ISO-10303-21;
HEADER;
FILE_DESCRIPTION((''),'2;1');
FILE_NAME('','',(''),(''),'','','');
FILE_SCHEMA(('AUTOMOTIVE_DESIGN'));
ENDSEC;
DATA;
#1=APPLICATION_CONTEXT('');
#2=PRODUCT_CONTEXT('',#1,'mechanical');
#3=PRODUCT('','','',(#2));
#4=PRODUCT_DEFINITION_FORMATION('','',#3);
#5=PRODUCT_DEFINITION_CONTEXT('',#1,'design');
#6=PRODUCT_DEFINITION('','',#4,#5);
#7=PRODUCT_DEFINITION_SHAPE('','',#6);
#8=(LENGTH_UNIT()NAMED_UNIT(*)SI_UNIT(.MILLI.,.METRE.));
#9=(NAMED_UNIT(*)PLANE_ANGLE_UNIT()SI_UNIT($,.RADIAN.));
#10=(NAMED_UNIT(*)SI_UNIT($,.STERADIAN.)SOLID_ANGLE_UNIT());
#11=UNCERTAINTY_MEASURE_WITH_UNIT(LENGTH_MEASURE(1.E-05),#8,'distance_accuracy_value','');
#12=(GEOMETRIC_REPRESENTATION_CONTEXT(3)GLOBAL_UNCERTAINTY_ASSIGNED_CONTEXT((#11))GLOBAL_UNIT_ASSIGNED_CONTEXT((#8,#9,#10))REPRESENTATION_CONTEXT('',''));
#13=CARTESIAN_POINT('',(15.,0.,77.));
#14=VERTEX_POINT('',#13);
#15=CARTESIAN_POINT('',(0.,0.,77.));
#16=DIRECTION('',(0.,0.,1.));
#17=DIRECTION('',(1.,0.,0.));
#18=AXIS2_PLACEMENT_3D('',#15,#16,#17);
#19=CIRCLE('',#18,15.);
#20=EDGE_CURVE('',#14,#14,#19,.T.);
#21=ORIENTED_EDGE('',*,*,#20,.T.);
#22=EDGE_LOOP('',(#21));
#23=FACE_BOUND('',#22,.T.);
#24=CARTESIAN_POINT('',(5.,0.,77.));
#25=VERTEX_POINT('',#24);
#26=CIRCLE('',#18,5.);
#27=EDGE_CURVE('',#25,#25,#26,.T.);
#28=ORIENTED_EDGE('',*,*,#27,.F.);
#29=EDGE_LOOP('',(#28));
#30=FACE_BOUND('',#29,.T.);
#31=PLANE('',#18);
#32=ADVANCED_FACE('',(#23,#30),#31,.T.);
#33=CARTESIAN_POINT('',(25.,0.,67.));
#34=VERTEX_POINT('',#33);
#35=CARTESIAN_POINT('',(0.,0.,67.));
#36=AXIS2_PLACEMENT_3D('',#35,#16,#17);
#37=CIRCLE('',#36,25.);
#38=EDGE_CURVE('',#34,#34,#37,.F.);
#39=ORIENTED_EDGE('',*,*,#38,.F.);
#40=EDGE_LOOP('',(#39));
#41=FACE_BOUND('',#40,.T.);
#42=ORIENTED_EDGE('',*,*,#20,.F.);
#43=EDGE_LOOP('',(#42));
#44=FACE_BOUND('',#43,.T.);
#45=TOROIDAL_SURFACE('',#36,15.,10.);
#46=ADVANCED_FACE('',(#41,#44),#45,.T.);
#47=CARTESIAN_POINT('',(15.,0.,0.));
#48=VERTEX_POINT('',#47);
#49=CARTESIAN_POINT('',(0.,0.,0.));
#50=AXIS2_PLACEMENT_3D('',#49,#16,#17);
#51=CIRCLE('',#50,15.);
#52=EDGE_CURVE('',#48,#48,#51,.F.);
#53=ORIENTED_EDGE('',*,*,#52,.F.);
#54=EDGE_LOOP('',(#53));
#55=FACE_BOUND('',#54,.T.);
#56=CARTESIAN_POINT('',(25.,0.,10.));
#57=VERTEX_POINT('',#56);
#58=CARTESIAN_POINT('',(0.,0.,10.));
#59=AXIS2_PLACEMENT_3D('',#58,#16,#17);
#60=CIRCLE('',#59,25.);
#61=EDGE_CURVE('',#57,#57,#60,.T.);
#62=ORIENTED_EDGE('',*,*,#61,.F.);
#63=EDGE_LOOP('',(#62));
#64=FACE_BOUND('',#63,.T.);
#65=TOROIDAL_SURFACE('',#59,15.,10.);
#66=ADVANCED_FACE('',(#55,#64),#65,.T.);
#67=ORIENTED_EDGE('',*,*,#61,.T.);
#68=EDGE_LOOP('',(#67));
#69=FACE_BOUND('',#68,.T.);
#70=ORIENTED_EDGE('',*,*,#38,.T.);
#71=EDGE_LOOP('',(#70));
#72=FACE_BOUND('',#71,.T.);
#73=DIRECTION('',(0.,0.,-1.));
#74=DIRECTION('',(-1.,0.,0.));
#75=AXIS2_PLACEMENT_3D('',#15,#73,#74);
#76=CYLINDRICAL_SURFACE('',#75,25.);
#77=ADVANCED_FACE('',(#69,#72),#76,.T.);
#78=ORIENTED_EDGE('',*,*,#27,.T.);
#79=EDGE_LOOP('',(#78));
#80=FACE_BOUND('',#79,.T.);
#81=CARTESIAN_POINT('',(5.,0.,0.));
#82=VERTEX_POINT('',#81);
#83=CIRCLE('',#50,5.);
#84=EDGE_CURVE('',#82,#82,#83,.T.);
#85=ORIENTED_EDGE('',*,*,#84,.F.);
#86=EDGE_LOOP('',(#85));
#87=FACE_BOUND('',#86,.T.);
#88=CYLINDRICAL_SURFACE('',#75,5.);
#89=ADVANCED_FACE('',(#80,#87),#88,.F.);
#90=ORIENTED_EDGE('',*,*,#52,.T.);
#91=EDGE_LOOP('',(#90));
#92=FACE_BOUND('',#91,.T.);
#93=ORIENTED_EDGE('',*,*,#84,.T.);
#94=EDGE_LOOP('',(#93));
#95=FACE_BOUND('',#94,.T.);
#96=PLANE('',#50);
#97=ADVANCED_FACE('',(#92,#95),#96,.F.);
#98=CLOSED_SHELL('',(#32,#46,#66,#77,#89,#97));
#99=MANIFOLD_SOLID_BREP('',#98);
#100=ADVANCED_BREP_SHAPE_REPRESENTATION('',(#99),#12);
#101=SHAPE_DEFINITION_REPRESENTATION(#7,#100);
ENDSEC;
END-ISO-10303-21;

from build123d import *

# Parameters (mm, degrees)
CROQUIS1_R              = 25
CROQUIS1_R_2            = 5
SALIENTE_EXTRUIR1_DEPTH = 77
REDONDEO1_R             = 10


with BuildPart() as part:
    # Croquis1 → Saliente-Extruir1 (new body)
    with BuildSketch(Plane.XY):
        Circle(CROQUIS1_R)
        Circle(CROQUIS1_R_2, mode=Mode.SUBTRACT)
    extrude(amount=SALIENTE_EXTRUIR1_DEPTH)

    # Redondeo1
    redondeo1_edges = [part.edges().sort_by_distance(p)[0] for p in [
        (-25, 0, 0),
        (-25, 0, 77),
    ]]
    fillet(redondeo1_edges, radius=REDONDEO1_R)


solid = part.part
